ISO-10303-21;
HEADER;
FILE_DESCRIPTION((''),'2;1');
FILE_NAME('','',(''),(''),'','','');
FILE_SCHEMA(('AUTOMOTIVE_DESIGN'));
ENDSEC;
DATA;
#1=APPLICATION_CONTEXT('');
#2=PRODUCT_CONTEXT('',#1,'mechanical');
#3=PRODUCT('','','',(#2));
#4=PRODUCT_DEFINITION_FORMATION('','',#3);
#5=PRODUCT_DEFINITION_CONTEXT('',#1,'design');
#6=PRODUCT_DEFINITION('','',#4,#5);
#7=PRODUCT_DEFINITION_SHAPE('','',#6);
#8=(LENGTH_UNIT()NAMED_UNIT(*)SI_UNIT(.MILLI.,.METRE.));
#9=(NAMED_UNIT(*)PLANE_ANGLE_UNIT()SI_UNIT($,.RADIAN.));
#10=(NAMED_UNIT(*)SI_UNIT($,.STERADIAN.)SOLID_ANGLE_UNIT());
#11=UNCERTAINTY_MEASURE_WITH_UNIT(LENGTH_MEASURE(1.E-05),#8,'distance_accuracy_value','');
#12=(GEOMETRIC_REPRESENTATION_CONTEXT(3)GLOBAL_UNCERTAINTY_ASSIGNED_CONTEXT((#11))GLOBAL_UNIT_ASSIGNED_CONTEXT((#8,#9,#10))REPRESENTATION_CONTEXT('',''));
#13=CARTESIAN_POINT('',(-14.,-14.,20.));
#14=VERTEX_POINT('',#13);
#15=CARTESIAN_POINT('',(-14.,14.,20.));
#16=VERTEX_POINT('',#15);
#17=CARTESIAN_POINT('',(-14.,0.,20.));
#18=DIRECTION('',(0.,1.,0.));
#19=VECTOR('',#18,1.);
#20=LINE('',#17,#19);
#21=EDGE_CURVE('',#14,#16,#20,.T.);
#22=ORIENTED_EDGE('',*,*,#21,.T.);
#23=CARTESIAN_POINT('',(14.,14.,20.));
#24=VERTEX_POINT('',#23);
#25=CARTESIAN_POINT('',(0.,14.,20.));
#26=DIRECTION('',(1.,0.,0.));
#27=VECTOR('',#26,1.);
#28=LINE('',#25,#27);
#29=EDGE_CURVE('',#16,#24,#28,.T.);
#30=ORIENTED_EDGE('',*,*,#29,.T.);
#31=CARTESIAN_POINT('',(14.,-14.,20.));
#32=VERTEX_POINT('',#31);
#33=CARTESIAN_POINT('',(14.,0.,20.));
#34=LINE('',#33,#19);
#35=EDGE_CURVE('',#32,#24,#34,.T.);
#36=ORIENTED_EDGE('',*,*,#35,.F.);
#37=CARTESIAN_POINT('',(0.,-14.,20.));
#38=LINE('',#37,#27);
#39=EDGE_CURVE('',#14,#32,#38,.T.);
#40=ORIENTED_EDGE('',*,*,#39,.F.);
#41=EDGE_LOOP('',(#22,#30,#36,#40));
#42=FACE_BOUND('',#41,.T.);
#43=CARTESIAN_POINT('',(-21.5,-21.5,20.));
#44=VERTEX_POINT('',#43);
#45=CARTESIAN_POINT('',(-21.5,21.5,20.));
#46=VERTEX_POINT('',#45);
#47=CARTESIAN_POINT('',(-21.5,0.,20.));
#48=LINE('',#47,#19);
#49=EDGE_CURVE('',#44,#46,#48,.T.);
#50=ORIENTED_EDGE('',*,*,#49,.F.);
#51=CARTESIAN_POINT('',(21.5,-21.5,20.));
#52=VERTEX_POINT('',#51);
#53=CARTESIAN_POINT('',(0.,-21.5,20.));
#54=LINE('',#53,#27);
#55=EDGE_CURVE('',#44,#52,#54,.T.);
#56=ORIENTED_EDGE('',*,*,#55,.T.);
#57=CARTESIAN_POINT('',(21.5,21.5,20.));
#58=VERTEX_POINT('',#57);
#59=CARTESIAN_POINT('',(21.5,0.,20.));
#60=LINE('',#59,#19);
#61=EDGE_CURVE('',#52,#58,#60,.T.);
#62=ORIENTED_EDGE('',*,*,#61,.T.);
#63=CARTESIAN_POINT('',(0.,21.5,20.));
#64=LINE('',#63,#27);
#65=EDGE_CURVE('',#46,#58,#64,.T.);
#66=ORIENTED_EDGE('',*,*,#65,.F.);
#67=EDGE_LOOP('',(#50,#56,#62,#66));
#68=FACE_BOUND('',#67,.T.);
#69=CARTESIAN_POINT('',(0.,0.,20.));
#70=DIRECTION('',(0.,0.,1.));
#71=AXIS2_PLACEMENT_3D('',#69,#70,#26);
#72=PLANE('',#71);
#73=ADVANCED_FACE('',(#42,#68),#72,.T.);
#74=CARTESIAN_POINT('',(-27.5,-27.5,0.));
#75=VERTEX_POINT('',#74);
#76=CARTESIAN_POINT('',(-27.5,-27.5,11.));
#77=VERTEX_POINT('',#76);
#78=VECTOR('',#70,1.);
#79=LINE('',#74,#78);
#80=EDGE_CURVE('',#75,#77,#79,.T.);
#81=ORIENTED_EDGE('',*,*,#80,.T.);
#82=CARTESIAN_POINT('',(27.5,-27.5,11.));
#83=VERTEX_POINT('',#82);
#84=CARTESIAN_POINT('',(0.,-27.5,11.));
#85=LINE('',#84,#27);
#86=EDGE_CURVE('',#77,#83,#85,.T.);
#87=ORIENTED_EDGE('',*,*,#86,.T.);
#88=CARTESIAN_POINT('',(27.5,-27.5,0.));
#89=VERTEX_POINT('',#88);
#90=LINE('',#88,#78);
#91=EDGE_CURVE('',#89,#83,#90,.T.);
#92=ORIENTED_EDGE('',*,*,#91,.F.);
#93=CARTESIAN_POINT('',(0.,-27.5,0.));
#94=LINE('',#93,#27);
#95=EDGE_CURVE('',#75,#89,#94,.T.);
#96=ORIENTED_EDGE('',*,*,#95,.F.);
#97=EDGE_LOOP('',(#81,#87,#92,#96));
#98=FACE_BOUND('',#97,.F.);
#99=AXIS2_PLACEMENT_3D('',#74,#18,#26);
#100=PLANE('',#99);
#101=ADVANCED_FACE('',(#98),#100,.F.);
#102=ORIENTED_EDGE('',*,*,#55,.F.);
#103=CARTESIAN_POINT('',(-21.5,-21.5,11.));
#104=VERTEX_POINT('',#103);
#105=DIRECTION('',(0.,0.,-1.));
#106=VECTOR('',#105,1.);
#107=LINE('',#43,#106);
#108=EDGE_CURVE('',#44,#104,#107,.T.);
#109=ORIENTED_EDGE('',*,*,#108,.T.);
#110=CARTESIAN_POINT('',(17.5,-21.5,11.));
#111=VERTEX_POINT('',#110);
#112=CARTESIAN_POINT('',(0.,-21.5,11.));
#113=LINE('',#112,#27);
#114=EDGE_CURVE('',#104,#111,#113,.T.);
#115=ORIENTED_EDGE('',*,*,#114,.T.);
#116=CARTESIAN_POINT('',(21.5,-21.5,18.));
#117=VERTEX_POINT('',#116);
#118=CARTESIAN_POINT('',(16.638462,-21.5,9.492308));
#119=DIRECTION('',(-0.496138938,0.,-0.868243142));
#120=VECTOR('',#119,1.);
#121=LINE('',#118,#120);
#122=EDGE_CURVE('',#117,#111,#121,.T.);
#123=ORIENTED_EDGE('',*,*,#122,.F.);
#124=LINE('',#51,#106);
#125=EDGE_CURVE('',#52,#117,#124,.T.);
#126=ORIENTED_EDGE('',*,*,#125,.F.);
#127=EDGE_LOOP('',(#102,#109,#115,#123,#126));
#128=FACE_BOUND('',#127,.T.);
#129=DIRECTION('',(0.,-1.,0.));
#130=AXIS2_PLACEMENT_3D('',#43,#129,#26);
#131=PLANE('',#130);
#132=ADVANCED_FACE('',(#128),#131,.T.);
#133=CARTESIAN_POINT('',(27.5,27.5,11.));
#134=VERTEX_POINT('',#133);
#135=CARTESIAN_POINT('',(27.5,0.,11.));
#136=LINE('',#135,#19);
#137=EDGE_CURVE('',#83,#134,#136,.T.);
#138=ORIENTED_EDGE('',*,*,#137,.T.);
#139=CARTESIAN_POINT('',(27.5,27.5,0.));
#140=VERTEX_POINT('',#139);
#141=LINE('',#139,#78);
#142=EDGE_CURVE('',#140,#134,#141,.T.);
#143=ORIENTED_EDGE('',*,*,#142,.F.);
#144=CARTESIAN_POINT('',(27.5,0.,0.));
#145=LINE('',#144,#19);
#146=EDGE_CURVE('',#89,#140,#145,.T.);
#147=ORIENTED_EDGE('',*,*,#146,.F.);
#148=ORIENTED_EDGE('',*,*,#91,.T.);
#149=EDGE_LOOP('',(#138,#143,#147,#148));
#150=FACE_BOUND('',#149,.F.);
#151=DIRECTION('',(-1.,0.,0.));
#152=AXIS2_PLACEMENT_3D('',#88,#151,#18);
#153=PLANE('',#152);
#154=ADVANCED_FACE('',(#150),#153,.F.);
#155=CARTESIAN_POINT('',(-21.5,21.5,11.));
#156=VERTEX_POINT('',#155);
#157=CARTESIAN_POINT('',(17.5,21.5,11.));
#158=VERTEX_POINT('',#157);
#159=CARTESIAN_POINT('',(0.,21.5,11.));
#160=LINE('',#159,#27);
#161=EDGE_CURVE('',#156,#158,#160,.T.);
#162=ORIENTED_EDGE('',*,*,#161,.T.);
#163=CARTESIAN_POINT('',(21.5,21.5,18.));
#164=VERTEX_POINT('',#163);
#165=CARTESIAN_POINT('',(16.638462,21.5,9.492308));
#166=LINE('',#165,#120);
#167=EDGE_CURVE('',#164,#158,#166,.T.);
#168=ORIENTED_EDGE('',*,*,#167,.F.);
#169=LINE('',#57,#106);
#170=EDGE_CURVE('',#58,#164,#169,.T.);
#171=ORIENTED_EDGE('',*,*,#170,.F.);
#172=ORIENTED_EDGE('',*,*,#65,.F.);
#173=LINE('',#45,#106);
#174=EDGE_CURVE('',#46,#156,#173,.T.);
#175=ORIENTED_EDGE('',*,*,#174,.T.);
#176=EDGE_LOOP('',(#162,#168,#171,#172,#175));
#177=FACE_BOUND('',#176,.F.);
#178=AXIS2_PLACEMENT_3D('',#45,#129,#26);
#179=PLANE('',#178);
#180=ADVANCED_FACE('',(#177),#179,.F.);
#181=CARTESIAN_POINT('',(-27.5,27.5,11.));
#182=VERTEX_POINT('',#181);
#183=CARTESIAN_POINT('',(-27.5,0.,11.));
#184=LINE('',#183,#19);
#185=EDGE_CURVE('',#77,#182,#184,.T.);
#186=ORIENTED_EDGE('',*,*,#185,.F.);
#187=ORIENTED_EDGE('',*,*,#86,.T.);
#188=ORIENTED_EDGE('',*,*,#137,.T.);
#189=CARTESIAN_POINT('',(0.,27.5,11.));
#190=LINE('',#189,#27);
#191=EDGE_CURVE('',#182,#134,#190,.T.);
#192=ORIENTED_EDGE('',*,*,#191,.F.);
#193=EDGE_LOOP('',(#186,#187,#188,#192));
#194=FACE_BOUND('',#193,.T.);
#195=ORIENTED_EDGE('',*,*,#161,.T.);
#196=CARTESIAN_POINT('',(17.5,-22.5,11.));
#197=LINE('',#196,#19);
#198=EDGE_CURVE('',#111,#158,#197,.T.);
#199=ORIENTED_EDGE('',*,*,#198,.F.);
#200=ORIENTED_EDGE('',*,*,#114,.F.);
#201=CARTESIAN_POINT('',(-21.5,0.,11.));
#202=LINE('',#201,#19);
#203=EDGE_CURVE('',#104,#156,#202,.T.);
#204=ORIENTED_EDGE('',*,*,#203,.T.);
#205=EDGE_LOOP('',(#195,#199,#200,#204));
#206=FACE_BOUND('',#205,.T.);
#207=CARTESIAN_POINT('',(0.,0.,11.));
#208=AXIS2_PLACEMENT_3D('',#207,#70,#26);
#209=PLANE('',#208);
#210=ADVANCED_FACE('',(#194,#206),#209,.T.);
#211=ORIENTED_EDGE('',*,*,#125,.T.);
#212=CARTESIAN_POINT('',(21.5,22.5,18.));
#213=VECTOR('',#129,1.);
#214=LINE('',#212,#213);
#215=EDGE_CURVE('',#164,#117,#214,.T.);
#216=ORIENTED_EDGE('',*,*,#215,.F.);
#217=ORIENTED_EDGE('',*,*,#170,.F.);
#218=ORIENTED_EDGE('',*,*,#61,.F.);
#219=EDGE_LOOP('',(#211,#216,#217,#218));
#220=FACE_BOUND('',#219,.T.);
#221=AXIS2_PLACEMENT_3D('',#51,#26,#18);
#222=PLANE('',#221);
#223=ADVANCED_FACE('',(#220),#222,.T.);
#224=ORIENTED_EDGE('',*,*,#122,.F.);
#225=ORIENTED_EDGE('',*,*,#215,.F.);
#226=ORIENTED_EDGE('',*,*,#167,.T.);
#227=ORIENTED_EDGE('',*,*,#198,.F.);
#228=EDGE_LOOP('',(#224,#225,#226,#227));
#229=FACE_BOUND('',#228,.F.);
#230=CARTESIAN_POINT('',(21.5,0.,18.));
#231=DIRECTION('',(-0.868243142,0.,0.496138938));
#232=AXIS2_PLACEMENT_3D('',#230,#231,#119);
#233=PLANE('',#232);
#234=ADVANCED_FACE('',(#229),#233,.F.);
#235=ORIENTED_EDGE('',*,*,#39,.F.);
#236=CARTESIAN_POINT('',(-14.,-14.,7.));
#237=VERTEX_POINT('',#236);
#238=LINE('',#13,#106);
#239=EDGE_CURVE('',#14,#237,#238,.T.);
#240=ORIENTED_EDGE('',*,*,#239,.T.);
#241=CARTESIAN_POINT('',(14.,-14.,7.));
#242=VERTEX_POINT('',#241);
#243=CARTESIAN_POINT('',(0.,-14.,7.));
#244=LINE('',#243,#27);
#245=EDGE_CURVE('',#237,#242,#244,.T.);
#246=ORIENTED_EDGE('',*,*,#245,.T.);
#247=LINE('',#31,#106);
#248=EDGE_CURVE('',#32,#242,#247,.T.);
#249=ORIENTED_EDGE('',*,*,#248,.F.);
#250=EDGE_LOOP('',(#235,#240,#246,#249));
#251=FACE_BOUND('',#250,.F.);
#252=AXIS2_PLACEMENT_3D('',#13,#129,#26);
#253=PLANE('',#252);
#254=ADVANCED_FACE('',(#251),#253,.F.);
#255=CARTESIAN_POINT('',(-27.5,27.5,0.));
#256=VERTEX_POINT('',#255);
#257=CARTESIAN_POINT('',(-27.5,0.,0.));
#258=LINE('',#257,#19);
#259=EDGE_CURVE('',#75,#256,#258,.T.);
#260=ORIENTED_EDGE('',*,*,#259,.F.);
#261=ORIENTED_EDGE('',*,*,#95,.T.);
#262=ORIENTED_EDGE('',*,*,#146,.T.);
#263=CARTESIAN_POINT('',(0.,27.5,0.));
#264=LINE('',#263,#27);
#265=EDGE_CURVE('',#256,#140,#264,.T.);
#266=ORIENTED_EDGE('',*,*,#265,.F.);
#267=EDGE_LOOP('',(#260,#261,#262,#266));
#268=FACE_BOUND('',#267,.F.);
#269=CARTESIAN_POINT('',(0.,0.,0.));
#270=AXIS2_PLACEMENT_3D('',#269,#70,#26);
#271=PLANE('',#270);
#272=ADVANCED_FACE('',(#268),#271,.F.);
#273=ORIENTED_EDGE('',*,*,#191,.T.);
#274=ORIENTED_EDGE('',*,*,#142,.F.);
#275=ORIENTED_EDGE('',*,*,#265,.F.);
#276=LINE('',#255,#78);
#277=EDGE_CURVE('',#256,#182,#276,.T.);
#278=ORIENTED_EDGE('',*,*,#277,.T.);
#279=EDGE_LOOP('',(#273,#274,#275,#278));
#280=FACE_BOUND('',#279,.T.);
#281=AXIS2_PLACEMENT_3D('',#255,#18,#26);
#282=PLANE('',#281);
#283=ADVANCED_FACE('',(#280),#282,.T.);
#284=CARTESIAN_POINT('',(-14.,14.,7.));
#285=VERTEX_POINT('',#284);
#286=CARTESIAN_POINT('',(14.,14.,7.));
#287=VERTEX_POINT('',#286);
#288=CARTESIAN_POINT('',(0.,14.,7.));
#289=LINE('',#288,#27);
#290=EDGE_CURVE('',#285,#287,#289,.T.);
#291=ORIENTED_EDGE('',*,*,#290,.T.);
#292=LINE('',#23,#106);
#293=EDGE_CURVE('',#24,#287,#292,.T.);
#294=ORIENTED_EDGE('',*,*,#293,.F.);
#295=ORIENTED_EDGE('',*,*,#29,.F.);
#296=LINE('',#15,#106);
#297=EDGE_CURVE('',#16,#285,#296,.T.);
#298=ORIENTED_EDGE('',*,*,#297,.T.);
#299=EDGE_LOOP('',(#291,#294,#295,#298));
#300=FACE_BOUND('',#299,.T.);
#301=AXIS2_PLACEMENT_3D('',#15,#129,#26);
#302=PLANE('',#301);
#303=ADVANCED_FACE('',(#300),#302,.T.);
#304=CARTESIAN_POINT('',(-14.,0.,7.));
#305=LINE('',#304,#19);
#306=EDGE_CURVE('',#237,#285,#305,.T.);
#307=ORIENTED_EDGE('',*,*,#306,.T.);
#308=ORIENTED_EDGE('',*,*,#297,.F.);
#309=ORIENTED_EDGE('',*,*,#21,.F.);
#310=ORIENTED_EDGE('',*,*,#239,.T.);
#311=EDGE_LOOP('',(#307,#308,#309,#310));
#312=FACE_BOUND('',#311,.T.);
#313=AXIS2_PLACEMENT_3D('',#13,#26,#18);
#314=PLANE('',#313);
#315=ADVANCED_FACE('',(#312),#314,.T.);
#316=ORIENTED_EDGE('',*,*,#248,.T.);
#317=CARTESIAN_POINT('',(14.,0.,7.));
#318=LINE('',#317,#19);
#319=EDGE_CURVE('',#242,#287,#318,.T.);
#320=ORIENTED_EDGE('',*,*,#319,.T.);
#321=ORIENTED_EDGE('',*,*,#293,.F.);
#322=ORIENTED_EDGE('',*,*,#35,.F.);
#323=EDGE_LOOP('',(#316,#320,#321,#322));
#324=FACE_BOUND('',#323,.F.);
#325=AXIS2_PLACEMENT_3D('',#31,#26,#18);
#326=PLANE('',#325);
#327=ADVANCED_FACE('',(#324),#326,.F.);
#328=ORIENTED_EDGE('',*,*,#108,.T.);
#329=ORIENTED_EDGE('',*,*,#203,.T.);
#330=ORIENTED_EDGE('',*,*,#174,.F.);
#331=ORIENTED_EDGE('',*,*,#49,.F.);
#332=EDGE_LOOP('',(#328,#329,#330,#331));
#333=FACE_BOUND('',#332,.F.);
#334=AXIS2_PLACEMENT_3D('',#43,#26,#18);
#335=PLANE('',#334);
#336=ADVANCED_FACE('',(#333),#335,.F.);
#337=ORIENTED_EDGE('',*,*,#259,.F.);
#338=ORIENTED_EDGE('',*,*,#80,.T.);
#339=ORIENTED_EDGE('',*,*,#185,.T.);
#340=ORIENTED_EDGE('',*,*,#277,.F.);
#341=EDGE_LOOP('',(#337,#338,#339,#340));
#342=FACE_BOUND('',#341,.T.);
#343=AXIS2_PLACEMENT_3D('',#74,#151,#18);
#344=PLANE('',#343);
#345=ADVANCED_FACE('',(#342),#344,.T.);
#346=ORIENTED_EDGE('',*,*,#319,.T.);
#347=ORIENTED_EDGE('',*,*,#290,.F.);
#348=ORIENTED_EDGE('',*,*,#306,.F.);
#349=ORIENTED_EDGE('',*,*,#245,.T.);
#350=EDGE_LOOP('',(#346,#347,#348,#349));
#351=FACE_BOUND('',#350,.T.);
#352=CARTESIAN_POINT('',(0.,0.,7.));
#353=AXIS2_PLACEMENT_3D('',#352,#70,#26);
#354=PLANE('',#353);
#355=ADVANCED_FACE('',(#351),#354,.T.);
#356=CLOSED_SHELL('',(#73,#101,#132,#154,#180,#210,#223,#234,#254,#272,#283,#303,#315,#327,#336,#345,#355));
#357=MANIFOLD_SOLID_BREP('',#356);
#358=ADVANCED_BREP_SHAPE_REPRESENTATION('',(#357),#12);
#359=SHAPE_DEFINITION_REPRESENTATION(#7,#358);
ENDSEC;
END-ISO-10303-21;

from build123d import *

# Parameters (mm, degrees)
F0_W     = 55
F0_H     = 55
F1_DEPTH = 20
F3_W     = 28
F3_H     = 28
F4_DEPTH = 13
F5_W     = 55
F5_H     = 55
F5_W_2   = 43
F5_H_2   = 43
F6_DEPTH = 9
F8_DEPTH = 22.5


with BuildPart() as f1:
    # F0 (on Top) → F1 (new body)
    with BuildSketch(Plane.XY):
        Rectangle(F0_W, F0_H)
    extrude(amount=F1_DEPTH)

    # F3 (on face) → F4 (cut, through all)
    with BuildSketch(Plane.XY.offset(20)):
        Rectangle(F3_W, F3_H)
    extrude(amount=-F4_DEPTH, mode=Mode.SUBTRACT)

    # F5 (on face) → F6 (cut)
    with BuildSketch(Plane.XY.offset(20)):
        Rectangle(F5_W, F5_H)
        Rectangle(F5_W_2, F5_H_2, mode=Mode.SUBTRACT)
    extrude(amount=-F6_DEPTH, mode=Mode.SUBTRACT)

    # F7 (on Front) → F8 (cut, symmetric)
    with BuildSketch(Plane.XZ):
        Polygon((21.5, 11), (21.5, 18), (17.5, 11), align=None)
    extrude(amount=F8_DEPTH, both=True, mode=Mode.SUBTRACT)


solid = f1.part
